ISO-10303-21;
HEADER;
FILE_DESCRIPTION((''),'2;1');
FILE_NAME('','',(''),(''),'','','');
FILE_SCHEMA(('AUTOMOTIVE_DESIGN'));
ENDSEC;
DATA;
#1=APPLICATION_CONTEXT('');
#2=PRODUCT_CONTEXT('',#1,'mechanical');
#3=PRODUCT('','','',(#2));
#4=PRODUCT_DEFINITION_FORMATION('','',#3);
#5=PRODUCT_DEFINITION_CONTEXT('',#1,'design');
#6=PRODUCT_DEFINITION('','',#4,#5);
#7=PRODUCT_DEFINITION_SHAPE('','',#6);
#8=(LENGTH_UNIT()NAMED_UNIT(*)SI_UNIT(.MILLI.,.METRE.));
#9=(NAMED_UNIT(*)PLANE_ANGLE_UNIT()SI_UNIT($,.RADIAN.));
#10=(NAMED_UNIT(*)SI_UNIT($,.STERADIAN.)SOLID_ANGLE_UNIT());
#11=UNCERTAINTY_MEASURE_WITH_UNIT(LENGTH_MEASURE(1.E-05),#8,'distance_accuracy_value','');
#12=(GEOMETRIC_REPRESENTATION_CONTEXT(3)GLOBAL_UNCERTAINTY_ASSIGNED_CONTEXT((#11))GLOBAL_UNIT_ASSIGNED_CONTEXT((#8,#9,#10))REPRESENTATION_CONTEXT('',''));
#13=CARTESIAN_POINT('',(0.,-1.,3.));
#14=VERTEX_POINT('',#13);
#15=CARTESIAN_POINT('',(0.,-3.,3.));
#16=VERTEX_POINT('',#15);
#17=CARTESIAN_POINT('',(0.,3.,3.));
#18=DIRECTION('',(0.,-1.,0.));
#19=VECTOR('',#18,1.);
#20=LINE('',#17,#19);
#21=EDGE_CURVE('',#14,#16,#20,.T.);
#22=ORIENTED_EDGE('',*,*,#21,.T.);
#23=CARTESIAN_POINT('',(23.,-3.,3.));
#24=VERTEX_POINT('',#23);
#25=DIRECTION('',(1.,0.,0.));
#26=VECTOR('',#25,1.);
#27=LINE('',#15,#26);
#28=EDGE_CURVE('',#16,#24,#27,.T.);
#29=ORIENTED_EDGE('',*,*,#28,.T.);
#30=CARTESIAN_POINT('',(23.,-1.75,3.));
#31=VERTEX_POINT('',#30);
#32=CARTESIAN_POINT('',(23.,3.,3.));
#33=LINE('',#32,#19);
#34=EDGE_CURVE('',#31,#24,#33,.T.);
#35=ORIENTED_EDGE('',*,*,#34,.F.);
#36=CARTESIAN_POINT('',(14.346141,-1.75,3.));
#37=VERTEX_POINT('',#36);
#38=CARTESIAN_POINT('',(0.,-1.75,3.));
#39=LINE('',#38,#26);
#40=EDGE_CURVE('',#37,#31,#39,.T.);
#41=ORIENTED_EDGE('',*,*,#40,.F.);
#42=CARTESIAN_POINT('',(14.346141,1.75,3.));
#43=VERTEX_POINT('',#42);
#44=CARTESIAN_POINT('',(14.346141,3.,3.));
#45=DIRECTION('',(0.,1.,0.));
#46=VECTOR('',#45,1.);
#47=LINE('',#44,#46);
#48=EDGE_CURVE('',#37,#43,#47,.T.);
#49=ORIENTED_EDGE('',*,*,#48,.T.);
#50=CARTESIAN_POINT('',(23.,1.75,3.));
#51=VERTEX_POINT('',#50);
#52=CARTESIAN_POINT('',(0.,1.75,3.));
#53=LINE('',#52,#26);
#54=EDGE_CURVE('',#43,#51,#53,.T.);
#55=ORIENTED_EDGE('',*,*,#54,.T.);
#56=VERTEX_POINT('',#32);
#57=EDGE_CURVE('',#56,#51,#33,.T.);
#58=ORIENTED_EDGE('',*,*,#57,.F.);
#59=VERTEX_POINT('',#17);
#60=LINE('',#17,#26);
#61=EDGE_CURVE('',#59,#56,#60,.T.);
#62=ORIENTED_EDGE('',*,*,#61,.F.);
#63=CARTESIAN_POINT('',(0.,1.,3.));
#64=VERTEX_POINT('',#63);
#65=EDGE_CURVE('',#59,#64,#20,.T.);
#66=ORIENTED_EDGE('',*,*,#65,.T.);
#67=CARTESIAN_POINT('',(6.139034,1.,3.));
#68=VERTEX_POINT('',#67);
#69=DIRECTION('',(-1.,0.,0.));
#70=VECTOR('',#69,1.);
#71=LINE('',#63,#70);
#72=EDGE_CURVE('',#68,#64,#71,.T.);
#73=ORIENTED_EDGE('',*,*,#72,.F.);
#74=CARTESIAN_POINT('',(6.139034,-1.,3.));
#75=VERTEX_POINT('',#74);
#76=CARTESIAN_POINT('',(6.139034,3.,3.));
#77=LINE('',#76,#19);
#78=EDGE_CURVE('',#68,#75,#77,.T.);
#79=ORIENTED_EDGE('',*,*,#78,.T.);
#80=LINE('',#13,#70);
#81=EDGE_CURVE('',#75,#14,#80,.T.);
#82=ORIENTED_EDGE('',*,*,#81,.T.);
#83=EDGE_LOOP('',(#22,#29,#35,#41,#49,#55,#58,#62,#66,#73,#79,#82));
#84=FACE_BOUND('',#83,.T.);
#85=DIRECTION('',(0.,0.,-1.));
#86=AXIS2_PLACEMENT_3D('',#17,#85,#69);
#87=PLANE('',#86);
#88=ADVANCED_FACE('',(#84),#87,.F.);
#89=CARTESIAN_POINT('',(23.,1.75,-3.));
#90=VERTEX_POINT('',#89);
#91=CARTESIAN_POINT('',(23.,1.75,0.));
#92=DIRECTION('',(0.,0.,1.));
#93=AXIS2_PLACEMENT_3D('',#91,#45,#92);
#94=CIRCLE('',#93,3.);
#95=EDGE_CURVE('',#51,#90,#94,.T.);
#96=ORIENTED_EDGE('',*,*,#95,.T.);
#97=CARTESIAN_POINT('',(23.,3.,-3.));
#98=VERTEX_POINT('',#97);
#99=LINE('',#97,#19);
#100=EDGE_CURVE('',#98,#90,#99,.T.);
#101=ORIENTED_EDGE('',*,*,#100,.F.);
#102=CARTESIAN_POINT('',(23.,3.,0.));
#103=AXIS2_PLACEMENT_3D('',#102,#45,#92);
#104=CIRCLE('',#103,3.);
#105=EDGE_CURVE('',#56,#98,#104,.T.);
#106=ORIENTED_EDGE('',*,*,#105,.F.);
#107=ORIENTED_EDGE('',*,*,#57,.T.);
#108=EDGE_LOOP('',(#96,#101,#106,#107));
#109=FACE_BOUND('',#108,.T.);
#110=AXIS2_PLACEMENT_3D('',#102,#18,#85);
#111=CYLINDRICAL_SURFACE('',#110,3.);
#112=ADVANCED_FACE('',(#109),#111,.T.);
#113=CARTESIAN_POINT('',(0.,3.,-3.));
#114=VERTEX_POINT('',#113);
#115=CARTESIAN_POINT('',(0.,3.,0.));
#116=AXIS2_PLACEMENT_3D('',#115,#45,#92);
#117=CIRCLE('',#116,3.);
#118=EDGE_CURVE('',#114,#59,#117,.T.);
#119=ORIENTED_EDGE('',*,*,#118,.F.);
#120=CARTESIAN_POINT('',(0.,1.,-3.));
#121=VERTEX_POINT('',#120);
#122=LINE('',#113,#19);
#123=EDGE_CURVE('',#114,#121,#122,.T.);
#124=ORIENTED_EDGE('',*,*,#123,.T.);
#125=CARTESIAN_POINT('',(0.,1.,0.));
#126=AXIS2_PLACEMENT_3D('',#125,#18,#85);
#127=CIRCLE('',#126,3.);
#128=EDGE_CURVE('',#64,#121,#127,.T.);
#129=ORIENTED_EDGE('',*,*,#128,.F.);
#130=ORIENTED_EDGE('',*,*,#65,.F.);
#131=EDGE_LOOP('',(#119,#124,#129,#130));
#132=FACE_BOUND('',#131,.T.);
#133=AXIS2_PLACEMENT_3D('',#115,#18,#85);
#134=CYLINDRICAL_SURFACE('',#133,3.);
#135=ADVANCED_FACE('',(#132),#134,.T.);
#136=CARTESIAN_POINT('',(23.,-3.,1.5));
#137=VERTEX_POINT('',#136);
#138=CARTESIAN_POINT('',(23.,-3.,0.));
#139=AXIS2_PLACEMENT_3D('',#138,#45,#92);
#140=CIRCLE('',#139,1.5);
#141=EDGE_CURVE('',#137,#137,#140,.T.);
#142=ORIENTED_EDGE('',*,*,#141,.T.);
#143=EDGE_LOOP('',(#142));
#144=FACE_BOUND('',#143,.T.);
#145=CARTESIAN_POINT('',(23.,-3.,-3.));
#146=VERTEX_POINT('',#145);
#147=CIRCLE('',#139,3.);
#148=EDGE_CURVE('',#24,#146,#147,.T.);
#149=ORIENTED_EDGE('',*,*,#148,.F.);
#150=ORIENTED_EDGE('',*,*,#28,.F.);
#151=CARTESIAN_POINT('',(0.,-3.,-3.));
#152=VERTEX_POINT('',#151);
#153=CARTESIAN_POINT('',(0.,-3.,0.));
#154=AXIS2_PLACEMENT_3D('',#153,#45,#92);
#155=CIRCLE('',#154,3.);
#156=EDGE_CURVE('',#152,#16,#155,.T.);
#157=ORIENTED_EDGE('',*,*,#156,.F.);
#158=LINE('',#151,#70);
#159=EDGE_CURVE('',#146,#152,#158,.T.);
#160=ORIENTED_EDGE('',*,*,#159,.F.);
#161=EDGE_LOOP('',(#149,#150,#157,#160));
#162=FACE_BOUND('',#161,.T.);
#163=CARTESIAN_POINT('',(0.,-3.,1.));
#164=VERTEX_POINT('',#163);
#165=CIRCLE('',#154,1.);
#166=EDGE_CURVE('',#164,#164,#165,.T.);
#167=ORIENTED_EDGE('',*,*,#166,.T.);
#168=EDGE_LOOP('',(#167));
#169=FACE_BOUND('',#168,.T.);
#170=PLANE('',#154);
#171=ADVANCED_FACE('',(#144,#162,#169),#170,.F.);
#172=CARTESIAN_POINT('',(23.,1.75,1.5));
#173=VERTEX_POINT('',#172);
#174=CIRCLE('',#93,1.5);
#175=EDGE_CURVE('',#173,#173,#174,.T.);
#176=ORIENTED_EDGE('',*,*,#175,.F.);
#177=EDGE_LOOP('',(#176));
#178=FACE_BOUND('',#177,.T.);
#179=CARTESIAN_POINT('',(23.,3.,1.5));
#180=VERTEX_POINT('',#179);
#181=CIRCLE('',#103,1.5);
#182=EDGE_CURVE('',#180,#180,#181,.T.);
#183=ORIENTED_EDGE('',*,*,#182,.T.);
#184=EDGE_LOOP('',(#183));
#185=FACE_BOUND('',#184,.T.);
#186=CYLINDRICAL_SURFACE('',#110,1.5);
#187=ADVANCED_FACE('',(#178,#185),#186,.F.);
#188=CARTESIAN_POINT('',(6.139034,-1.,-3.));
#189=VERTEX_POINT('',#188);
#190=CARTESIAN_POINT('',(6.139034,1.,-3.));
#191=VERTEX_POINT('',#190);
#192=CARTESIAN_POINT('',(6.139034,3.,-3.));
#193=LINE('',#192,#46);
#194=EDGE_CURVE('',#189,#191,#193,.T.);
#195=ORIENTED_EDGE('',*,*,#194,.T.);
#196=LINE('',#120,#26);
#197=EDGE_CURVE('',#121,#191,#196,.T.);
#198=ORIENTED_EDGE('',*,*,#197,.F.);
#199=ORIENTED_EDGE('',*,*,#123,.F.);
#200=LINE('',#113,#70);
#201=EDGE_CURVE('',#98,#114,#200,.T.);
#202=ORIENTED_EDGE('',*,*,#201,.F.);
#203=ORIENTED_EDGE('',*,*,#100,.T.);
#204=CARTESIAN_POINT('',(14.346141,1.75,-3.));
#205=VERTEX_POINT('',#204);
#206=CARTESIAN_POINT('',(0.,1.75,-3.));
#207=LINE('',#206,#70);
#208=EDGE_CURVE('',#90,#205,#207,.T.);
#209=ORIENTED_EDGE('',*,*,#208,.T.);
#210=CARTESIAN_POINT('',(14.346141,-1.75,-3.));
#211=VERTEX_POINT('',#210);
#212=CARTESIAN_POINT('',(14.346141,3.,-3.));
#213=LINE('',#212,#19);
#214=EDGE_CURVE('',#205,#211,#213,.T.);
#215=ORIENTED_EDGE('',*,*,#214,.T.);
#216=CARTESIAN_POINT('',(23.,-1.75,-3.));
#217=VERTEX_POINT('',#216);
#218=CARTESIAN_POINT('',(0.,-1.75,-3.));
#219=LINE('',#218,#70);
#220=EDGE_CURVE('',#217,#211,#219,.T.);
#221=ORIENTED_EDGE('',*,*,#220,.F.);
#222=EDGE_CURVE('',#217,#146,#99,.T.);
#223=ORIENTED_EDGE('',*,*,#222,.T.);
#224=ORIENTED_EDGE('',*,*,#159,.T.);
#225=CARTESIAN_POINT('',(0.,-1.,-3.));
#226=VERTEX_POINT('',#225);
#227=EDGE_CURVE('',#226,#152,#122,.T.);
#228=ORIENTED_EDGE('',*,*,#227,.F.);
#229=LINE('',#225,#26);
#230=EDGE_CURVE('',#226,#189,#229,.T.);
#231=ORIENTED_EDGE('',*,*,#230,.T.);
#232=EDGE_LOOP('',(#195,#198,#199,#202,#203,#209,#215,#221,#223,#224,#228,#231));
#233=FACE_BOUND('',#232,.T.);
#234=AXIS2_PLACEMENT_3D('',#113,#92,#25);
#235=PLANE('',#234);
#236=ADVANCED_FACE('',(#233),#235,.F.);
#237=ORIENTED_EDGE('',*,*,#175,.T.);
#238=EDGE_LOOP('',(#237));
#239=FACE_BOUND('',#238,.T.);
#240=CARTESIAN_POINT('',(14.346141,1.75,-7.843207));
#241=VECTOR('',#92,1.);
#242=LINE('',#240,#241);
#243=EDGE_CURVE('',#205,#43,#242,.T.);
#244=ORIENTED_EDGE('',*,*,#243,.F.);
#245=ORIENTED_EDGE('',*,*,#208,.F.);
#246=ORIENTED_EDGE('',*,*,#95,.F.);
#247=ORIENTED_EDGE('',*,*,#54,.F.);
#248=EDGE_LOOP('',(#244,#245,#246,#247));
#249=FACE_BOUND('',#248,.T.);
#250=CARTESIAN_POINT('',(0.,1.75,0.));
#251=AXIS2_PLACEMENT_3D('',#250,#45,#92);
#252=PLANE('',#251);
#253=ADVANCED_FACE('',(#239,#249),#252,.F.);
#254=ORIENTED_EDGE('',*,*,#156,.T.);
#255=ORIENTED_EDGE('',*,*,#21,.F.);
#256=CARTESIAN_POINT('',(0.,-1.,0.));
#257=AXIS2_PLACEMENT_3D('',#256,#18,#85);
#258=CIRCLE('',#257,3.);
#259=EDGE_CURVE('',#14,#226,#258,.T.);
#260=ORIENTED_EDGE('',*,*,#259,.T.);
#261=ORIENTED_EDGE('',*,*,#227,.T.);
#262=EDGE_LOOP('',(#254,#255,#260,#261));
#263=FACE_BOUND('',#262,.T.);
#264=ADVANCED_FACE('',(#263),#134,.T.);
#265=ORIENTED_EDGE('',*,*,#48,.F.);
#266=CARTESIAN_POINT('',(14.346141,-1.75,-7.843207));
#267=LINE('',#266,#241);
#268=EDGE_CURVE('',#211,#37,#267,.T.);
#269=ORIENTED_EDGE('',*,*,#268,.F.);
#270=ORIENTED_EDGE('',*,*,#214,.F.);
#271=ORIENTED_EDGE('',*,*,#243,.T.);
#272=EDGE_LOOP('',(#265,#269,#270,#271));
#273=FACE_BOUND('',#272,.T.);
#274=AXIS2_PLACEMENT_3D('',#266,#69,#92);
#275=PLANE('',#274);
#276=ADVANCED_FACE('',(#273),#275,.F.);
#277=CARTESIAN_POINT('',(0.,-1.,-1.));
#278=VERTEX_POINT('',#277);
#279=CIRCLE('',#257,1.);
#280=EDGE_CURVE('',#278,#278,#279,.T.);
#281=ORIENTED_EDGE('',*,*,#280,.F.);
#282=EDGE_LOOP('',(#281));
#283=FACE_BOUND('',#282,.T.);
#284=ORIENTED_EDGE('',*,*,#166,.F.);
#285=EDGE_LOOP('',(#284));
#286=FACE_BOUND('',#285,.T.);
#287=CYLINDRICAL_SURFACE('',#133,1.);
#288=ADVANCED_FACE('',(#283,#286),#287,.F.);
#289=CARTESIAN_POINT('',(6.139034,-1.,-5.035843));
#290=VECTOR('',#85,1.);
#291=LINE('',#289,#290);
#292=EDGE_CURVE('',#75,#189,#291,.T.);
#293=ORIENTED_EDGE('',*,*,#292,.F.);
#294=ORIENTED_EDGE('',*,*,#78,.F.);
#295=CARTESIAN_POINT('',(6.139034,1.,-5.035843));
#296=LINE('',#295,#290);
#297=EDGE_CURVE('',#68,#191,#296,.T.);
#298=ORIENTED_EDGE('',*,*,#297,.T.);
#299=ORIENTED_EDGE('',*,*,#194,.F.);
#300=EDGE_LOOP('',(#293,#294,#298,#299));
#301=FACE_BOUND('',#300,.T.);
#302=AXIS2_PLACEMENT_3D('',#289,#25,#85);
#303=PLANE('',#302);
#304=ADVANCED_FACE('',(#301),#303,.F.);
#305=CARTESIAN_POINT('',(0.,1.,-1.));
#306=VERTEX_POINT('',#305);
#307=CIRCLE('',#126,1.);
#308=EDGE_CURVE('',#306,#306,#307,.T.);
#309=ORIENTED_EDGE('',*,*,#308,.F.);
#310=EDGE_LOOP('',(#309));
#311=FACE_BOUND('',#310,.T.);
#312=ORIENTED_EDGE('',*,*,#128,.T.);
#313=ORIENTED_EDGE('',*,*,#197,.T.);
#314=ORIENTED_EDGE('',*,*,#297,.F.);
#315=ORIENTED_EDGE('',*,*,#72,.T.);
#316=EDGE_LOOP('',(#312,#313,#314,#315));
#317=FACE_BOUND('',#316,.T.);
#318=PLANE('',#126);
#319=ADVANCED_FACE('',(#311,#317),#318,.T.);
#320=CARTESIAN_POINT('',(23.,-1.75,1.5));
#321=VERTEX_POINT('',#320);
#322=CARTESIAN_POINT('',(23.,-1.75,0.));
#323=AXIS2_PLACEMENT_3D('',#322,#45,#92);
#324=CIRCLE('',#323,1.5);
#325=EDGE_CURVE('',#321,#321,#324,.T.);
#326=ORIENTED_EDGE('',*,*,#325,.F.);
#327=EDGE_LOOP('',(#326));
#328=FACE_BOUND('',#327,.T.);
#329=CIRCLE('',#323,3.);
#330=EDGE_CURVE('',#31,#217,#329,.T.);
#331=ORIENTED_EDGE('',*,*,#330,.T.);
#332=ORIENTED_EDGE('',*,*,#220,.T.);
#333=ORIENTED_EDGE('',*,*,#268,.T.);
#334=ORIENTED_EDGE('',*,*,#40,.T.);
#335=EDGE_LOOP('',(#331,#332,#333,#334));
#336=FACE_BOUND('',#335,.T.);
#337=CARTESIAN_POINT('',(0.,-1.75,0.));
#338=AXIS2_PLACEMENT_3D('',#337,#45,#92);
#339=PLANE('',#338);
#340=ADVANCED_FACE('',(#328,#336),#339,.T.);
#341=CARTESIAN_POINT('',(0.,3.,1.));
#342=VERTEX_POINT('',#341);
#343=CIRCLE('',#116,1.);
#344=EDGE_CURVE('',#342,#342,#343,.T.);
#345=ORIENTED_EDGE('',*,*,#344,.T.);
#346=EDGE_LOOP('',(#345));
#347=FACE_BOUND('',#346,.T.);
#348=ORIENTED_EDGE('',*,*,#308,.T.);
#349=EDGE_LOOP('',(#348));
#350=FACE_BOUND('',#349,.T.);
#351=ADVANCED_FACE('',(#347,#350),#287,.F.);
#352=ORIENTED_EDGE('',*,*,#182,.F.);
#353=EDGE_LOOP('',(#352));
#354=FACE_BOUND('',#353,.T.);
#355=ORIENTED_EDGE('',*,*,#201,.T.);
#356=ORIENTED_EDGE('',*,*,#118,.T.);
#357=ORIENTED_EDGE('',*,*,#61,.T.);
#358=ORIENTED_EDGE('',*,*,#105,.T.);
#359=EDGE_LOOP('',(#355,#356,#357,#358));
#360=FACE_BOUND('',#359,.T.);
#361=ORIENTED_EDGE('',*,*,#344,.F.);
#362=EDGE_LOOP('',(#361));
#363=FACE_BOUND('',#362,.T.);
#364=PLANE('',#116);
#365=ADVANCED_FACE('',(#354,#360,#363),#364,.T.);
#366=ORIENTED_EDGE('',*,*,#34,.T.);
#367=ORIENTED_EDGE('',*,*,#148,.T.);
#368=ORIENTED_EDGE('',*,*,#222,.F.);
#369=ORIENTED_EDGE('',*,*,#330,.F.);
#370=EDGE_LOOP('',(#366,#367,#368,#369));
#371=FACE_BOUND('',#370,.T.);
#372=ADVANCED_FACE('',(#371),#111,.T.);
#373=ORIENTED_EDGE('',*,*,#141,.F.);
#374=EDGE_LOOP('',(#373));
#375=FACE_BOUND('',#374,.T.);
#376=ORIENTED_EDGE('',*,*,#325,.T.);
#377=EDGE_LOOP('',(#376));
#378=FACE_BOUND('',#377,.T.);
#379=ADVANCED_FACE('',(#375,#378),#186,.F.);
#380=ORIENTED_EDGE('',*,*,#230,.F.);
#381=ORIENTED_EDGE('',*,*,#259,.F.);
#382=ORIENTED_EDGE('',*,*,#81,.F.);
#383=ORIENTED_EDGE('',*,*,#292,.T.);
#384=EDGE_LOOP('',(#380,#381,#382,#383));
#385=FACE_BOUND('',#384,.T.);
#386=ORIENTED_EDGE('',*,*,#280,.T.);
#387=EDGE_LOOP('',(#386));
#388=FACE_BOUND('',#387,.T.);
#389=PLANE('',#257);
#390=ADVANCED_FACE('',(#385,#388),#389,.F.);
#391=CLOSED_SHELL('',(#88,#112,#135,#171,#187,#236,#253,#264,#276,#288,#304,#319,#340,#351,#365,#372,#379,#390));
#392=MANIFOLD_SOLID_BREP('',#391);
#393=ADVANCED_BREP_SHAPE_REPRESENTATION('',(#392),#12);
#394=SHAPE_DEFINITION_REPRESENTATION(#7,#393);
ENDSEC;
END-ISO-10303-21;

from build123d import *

# Parameters (mm, degrees)
SKETCH_1_R          = 1.5
SKETCH_1_R_2        = 1
EXTRUDE_1_DEPTH     = 3
SKETCH_6_W          = 31.511370345
SKETCH_6_H          = 11.605197544
CUT_EXTRUDE_2_DEPTH = 1.75
SKETCH_7_W          = 12.660216836
SKETCH_7_H          = 9.649927943
CUT_EXTRUDE_3_DEPTH = 1


with BuildPart() as part:
    # 草图1 → 凸台-拉伸1 (new, symmetric)
    with BuildSketch(Plane(origin=(0, 0, 0), x_dir=(1, 0, 0), z_dir=(0, 1, 0))):
        with BuildLine():
            Line((0, 3), (23, 3))
            ThreePointArc((23, 3), (26, 0), (23, -3))
            Line((23, -3), (0, -3))
            ThreePointArc((0, -3), (-3, 0), (0, 3))
        make_face()
        with Locations(Location((23, 0, 0), (0, 0, 270))):
            Circle(SKETCH_1_R, mode=Mode.SUBTRACT)
        with Locations(Location((0, 0, 0), (0, 0, 270))):
            Circle(SKETCH_1_R_2, mode=Mode.SUBTRACT)
    extrude(amount=EXTRUDE_1_DEPTH, both=True)

    # 草图6 → 切除-拉伸2 (cut, symmetric)
    with BuildSketch(Plane(origin=(0, 0, 0), x_dir=(1, 0, 0), z_dir=(0, 1, 0))):
        with Locations((30.101826092, 2.040608699)):
            Rectangle(SKETCH_6_W, SKETCH_6_H)
    extrude(amount=CUT_EXTRUDE_2_DEPTH, both=True, mode=Mode.SUBTRACT)

    # 草图7 → 切除-拉伸3 (cut, symmetric)
    with BuildSketch(Plane(origin=(0, 0, 0), x_dir=(1, 0, 0), z_dir=(0, 1, 0))):
        with Locations((-0.191074288, 0.210879474)):
            Rectangle(SKETCH_7_W, SKETCH_7_H)
    extrude(amount=CUT_EXTRUDE_3_DEPTH, both=True, mode=Mode.SUBTRACT)


solid = part.part
